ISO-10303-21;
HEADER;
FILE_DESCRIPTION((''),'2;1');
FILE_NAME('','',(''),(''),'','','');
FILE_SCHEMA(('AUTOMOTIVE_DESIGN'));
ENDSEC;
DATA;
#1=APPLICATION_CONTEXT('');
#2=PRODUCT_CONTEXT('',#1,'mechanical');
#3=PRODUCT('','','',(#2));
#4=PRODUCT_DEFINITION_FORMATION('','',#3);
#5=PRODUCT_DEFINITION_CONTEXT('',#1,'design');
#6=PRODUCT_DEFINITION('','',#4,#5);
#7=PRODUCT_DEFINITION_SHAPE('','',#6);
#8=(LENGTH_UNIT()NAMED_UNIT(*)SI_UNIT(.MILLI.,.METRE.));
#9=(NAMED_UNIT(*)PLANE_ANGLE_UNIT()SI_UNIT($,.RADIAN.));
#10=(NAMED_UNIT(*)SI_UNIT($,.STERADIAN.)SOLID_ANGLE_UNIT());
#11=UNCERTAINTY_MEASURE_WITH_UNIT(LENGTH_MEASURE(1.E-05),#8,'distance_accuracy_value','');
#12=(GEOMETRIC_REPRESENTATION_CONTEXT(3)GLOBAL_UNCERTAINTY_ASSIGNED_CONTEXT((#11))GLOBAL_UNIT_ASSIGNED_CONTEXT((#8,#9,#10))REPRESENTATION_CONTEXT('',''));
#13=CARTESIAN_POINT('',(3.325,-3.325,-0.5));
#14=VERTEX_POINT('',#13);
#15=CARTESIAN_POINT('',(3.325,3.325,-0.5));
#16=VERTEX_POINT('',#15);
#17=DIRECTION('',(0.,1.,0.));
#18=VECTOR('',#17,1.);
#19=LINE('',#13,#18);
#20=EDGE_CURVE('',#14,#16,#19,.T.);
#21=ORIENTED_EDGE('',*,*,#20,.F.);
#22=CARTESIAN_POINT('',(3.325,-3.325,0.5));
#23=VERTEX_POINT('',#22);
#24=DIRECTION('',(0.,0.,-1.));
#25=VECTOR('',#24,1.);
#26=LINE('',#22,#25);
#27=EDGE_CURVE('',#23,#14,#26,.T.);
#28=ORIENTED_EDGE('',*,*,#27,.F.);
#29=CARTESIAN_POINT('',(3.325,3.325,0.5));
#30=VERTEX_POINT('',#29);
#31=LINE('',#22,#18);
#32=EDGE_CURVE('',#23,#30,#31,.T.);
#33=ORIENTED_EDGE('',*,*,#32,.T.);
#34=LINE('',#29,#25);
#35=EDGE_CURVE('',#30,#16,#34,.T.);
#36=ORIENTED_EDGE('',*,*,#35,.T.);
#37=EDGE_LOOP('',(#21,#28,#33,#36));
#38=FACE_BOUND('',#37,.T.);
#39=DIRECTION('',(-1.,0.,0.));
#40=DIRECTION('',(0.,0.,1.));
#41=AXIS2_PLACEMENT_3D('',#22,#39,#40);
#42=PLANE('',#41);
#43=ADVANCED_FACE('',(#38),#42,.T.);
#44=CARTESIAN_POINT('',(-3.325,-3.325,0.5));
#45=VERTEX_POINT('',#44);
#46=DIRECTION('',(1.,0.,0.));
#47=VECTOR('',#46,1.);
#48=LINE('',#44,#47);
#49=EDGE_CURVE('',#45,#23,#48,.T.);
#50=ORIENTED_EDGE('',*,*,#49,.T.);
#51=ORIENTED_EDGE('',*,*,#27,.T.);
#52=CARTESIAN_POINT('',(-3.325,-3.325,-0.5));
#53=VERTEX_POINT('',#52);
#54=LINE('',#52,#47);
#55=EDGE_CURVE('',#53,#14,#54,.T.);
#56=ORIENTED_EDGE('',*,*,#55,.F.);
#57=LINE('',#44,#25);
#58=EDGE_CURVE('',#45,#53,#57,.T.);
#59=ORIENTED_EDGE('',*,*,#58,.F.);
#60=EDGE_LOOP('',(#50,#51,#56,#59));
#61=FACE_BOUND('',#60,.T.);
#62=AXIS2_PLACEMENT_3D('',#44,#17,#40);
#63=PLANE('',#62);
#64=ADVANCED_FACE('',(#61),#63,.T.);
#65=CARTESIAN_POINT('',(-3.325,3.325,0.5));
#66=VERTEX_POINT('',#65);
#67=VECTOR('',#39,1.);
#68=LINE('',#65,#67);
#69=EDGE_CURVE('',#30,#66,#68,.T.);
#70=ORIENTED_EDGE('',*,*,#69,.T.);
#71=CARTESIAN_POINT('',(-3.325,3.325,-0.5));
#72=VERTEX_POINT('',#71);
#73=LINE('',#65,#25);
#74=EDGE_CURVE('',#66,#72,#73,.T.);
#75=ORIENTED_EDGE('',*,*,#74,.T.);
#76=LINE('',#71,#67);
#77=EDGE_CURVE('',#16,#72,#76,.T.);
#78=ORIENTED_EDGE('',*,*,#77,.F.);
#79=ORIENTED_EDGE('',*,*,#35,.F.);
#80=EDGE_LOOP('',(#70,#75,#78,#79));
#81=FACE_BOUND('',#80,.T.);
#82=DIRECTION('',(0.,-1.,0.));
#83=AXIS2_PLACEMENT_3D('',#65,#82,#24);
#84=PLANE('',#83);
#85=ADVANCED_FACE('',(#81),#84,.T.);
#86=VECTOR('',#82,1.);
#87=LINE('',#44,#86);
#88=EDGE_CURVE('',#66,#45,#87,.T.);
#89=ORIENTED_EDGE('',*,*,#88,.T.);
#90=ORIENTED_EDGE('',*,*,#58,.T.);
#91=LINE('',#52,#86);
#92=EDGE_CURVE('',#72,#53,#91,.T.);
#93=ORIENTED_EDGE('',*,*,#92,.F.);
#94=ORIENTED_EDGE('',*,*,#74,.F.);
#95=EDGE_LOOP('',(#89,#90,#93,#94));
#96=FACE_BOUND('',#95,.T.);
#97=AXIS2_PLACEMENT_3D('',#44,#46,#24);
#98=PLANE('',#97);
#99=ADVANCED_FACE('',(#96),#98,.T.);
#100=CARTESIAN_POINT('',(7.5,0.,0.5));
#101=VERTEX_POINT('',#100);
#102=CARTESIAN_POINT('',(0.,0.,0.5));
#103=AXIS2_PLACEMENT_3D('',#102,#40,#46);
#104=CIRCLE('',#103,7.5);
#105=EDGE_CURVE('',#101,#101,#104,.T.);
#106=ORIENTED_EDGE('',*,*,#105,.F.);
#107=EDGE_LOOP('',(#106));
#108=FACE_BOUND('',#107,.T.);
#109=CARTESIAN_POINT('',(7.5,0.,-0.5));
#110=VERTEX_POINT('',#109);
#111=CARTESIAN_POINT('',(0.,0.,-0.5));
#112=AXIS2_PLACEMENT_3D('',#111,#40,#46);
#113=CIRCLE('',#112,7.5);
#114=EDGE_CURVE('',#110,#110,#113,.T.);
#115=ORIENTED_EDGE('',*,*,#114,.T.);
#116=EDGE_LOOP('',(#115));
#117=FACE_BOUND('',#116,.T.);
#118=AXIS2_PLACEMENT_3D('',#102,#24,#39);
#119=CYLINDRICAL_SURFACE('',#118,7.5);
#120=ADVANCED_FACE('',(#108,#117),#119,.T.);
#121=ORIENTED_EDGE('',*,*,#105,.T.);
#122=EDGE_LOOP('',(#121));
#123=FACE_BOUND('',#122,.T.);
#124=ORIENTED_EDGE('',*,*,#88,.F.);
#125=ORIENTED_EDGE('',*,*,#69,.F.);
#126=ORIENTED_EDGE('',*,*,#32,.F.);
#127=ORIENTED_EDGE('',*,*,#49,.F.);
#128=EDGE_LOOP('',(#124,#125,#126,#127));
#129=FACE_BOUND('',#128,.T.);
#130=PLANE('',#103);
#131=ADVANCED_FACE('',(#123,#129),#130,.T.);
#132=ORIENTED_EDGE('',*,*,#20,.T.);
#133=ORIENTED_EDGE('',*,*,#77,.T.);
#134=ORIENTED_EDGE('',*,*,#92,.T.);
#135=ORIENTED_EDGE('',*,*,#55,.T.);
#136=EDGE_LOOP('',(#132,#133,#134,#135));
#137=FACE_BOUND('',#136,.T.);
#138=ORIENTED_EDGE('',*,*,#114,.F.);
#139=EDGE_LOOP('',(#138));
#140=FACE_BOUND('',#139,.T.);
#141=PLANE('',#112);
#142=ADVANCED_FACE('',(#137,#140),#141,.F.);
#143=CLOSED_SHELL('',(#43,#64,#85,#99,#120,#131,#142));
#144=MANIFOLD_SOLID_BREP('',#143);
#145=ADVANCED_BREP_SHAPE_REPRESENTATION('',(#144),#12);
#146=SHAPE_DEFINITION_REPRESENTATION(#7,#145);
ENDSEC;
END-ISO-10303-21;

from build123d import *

# Parameters (mm, degrees)
SKETCH1_R           = 7.5
SKETCH1_W           = 6.65
SKETCH1_H           = 6.65
BOSS_EXTRUDE1_DEPTH = 0.5


with BuildPart() as part:
    # Sketch1 → Boss-Extrude1 (new, symmetric)
    with BuildSketch(Plane.XY):
        Circle(SKETCH1_R)
        Rectangle(SKETCH1_W, SKETCH1_H, mode=Mode.SUBTRACT)
    extrude(amount=BOSS_EXTRUDE1_DEPTH, both=True)


solid = part.part
